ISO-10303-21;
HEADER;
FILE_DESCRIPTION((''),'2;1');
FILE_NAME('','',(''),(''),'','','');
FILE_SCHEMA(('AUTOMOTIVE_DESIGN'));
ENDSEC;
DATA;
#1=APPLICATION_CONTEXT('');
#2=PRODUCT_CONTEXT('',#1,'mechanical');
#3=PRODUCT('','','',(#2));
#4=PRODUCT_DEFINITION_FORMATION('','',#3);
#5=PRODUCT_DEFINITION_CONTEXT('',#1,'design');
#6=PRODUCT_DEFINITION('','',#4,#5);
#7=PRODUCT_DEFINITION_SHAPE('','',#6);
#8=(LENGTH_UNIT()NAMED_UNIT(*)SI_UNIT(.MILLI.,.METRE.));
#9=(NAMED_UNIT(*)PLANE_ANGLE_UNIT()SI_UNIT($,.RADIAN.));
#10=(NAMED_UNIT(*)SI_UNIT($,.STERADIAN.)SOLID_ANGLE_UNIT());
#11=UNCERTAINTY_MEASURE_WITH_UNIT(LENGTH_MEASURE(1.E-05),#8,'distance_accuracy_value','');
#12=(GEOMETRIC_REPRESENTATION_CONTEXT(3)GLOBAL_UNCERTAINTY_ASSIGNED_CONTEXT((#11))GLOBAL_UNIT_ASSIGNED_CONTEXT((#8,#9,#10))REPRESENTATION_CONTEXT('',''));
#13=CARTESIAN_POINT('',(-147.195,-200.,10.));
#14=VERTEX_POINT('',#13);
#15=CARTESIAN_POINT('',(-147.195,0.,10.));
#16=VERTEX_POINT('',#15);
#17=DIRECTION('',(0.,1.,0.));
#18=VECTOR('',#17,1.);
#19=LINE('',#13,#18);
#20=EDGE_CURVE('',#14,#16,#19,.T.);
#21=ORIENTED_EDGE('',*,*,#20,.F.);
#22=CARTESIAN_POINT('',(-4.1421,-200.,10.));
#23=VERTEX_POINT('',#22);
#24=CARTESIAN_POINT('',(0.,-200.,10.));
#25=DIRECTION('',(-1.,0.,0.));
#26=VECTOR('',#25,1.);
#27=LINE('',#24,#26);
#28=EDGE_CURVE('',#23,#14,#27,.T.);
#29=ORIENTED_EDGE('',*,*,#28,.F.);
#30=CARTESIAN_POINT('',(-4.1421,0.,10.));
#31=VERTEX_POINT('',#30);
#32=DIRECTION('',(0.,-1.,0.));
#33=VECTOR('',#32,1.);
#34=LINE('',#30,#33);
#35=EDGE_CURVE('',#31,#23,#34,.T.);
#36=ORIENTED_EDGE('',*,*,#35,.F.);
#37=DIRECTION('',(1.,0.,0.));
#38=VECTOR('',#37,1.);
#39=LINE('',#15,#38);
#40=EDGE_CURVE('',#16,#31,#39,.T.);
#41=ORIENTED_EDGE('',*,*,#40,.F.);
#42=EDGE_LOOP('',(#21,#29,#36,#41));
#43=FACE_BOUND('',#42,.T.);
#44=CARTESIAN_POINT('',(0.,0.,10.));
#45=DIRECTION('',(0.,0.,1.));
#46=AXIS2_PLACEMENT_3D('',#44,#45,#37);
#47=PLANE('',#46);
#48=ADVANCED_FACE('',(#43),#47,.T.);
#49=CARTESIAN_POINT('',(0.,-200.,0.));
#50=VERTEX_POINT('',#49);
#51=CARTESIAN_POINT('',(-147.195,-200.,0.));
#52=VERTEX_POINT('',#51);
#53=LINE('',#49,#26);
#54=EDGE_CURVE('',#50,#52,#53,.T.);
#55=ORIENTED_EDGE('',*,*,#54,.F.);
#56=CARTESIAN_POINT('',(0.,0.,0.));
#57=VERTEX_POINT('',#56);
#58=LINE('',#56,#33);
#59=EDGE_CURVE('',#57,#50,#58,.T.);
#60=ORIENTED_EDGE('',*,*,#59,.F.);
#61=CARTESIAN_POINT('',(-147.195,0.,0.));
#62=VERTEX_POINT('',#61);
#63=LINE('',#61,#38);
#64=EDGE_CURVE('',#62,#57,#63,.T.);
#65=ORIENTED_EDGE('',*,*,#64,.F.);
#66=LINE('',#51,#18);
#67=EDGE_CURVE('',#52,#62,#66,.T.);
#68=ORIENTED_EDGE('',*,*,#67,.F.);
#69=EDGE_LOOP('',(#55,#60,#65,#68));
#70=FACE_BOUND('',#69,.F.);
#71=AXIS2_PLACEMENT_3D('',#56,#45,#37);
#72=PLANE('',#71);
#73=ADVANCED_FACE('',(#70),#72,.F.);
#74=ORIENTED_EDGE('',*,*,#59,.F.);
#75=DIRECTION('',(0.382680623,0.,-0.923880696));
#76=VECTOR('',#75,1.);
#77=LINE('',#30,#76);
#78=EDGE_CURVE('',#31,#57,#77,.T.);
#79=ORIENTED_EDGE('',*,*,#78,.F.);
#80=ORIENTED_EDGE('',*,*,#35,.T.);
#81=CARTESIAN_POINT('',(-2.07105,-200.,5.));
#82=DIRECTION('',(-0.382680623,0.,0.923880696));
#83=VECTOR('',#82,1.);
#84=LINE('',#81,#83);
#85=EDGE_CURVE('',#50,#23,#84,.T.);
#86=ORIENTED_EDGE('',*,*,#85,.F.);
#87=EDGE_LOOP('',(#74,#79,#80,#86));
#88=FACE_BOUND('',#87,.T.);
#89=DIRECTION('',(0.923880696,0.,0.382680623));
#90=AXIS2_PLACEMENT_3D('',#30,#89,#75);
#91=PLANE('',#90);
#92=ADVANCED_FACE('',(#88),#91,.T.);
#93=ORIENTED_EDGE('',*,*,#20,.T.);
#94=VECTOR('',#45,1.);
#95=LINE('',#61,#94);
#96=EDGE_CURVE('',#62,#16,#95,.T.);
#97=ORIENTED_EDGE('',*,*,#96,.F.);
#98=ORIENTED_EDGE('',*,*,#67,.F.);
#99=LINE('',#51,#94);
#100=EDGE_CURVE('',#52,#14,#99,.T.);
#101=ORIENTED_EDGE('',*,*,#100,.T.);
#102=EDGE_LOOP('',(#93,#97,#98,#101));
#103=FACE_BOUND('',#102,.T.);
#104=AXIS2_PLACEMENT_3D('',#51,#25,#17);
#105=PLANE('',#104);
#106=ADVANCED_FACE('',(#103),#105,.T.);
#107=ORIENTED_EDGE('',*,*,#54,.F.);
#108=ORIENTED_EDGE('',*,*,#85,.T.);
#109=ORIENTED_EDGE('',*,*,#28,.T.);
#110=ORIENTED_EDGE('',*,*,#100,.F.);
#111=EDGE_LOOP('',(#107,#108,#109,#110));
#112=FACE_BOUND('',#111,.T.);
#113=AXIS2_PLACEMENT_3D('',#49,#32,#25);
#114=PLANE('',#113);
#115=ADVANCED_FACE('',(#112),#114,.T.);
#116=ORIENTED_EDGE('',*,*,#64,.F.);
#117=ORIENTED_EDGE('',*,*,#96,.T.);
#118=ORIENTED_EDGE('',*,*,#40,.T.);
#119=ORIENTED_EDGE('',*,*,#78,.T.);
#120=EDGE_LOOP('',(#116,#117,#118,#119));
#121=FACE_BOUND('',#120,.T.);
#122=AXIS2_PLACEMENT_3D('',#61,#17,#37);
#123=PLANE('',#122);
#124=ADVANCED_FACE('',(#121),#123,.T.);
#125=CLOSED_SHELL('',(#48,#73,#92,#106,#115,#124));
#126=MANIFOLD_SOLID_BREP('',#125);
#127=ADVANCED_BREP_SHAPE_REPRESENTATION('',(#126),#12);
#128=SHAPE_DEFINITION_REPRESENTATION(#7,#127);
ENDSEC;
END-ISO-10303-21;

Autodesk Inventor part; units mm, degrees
ref_plane "YZ Plane" through (0, 0, 0) normal (1, 0, 0) x (0, 1, 0)
ref_plane "XZ Plane" through (0, 0, 0) normal (0, 1, 0) x (-1, 0, 0)
ref_plane "XY Plane" through (0, 0, 0) normal (0, 0, 1) x (1, 0, 0)
sketch "Skizze1" plane through (0, 0, 0) normal (0, 0, 1) x (1, 0, 0)
  line L0 (-147.195, 0) -> (0, 0)
  line L1 (0, 0) -> (0, -200)
  line L2 (0, -200) -> (-147.195, -200)
  line L3 (-147.195, -200) -> (-147.195, 0)
  point P0 (0, 0)
  dimension "d0" = 147.195
  dimension "d1" = 200
  dimension "d2" = 0
  dimension "d3" = 0
extrude "Extrusion1" add sketch "Skizze1" along normal blind 10
sketch "Skizze2" plane through (-147.195, 0, 0) normal (0, 1, 0) x (1, 0, 0)
  line L0 (0, -10) -> (147.195, -10) projected
  line L1 (0, 0) -> (147.195, 0) projected
  line L2 (147.195, -10) -> (147.195, 0)
  line L3 (147.195, -10) -> (143.0529, -10)
  line L4 (143.0529, -10) -> (147.195, 0)
  dimension "d10" = 67.5
extrude "Extrusion2" cut sketch "Skizze2" against normal through all
properties part number "PlatteInnenEineSeite"
